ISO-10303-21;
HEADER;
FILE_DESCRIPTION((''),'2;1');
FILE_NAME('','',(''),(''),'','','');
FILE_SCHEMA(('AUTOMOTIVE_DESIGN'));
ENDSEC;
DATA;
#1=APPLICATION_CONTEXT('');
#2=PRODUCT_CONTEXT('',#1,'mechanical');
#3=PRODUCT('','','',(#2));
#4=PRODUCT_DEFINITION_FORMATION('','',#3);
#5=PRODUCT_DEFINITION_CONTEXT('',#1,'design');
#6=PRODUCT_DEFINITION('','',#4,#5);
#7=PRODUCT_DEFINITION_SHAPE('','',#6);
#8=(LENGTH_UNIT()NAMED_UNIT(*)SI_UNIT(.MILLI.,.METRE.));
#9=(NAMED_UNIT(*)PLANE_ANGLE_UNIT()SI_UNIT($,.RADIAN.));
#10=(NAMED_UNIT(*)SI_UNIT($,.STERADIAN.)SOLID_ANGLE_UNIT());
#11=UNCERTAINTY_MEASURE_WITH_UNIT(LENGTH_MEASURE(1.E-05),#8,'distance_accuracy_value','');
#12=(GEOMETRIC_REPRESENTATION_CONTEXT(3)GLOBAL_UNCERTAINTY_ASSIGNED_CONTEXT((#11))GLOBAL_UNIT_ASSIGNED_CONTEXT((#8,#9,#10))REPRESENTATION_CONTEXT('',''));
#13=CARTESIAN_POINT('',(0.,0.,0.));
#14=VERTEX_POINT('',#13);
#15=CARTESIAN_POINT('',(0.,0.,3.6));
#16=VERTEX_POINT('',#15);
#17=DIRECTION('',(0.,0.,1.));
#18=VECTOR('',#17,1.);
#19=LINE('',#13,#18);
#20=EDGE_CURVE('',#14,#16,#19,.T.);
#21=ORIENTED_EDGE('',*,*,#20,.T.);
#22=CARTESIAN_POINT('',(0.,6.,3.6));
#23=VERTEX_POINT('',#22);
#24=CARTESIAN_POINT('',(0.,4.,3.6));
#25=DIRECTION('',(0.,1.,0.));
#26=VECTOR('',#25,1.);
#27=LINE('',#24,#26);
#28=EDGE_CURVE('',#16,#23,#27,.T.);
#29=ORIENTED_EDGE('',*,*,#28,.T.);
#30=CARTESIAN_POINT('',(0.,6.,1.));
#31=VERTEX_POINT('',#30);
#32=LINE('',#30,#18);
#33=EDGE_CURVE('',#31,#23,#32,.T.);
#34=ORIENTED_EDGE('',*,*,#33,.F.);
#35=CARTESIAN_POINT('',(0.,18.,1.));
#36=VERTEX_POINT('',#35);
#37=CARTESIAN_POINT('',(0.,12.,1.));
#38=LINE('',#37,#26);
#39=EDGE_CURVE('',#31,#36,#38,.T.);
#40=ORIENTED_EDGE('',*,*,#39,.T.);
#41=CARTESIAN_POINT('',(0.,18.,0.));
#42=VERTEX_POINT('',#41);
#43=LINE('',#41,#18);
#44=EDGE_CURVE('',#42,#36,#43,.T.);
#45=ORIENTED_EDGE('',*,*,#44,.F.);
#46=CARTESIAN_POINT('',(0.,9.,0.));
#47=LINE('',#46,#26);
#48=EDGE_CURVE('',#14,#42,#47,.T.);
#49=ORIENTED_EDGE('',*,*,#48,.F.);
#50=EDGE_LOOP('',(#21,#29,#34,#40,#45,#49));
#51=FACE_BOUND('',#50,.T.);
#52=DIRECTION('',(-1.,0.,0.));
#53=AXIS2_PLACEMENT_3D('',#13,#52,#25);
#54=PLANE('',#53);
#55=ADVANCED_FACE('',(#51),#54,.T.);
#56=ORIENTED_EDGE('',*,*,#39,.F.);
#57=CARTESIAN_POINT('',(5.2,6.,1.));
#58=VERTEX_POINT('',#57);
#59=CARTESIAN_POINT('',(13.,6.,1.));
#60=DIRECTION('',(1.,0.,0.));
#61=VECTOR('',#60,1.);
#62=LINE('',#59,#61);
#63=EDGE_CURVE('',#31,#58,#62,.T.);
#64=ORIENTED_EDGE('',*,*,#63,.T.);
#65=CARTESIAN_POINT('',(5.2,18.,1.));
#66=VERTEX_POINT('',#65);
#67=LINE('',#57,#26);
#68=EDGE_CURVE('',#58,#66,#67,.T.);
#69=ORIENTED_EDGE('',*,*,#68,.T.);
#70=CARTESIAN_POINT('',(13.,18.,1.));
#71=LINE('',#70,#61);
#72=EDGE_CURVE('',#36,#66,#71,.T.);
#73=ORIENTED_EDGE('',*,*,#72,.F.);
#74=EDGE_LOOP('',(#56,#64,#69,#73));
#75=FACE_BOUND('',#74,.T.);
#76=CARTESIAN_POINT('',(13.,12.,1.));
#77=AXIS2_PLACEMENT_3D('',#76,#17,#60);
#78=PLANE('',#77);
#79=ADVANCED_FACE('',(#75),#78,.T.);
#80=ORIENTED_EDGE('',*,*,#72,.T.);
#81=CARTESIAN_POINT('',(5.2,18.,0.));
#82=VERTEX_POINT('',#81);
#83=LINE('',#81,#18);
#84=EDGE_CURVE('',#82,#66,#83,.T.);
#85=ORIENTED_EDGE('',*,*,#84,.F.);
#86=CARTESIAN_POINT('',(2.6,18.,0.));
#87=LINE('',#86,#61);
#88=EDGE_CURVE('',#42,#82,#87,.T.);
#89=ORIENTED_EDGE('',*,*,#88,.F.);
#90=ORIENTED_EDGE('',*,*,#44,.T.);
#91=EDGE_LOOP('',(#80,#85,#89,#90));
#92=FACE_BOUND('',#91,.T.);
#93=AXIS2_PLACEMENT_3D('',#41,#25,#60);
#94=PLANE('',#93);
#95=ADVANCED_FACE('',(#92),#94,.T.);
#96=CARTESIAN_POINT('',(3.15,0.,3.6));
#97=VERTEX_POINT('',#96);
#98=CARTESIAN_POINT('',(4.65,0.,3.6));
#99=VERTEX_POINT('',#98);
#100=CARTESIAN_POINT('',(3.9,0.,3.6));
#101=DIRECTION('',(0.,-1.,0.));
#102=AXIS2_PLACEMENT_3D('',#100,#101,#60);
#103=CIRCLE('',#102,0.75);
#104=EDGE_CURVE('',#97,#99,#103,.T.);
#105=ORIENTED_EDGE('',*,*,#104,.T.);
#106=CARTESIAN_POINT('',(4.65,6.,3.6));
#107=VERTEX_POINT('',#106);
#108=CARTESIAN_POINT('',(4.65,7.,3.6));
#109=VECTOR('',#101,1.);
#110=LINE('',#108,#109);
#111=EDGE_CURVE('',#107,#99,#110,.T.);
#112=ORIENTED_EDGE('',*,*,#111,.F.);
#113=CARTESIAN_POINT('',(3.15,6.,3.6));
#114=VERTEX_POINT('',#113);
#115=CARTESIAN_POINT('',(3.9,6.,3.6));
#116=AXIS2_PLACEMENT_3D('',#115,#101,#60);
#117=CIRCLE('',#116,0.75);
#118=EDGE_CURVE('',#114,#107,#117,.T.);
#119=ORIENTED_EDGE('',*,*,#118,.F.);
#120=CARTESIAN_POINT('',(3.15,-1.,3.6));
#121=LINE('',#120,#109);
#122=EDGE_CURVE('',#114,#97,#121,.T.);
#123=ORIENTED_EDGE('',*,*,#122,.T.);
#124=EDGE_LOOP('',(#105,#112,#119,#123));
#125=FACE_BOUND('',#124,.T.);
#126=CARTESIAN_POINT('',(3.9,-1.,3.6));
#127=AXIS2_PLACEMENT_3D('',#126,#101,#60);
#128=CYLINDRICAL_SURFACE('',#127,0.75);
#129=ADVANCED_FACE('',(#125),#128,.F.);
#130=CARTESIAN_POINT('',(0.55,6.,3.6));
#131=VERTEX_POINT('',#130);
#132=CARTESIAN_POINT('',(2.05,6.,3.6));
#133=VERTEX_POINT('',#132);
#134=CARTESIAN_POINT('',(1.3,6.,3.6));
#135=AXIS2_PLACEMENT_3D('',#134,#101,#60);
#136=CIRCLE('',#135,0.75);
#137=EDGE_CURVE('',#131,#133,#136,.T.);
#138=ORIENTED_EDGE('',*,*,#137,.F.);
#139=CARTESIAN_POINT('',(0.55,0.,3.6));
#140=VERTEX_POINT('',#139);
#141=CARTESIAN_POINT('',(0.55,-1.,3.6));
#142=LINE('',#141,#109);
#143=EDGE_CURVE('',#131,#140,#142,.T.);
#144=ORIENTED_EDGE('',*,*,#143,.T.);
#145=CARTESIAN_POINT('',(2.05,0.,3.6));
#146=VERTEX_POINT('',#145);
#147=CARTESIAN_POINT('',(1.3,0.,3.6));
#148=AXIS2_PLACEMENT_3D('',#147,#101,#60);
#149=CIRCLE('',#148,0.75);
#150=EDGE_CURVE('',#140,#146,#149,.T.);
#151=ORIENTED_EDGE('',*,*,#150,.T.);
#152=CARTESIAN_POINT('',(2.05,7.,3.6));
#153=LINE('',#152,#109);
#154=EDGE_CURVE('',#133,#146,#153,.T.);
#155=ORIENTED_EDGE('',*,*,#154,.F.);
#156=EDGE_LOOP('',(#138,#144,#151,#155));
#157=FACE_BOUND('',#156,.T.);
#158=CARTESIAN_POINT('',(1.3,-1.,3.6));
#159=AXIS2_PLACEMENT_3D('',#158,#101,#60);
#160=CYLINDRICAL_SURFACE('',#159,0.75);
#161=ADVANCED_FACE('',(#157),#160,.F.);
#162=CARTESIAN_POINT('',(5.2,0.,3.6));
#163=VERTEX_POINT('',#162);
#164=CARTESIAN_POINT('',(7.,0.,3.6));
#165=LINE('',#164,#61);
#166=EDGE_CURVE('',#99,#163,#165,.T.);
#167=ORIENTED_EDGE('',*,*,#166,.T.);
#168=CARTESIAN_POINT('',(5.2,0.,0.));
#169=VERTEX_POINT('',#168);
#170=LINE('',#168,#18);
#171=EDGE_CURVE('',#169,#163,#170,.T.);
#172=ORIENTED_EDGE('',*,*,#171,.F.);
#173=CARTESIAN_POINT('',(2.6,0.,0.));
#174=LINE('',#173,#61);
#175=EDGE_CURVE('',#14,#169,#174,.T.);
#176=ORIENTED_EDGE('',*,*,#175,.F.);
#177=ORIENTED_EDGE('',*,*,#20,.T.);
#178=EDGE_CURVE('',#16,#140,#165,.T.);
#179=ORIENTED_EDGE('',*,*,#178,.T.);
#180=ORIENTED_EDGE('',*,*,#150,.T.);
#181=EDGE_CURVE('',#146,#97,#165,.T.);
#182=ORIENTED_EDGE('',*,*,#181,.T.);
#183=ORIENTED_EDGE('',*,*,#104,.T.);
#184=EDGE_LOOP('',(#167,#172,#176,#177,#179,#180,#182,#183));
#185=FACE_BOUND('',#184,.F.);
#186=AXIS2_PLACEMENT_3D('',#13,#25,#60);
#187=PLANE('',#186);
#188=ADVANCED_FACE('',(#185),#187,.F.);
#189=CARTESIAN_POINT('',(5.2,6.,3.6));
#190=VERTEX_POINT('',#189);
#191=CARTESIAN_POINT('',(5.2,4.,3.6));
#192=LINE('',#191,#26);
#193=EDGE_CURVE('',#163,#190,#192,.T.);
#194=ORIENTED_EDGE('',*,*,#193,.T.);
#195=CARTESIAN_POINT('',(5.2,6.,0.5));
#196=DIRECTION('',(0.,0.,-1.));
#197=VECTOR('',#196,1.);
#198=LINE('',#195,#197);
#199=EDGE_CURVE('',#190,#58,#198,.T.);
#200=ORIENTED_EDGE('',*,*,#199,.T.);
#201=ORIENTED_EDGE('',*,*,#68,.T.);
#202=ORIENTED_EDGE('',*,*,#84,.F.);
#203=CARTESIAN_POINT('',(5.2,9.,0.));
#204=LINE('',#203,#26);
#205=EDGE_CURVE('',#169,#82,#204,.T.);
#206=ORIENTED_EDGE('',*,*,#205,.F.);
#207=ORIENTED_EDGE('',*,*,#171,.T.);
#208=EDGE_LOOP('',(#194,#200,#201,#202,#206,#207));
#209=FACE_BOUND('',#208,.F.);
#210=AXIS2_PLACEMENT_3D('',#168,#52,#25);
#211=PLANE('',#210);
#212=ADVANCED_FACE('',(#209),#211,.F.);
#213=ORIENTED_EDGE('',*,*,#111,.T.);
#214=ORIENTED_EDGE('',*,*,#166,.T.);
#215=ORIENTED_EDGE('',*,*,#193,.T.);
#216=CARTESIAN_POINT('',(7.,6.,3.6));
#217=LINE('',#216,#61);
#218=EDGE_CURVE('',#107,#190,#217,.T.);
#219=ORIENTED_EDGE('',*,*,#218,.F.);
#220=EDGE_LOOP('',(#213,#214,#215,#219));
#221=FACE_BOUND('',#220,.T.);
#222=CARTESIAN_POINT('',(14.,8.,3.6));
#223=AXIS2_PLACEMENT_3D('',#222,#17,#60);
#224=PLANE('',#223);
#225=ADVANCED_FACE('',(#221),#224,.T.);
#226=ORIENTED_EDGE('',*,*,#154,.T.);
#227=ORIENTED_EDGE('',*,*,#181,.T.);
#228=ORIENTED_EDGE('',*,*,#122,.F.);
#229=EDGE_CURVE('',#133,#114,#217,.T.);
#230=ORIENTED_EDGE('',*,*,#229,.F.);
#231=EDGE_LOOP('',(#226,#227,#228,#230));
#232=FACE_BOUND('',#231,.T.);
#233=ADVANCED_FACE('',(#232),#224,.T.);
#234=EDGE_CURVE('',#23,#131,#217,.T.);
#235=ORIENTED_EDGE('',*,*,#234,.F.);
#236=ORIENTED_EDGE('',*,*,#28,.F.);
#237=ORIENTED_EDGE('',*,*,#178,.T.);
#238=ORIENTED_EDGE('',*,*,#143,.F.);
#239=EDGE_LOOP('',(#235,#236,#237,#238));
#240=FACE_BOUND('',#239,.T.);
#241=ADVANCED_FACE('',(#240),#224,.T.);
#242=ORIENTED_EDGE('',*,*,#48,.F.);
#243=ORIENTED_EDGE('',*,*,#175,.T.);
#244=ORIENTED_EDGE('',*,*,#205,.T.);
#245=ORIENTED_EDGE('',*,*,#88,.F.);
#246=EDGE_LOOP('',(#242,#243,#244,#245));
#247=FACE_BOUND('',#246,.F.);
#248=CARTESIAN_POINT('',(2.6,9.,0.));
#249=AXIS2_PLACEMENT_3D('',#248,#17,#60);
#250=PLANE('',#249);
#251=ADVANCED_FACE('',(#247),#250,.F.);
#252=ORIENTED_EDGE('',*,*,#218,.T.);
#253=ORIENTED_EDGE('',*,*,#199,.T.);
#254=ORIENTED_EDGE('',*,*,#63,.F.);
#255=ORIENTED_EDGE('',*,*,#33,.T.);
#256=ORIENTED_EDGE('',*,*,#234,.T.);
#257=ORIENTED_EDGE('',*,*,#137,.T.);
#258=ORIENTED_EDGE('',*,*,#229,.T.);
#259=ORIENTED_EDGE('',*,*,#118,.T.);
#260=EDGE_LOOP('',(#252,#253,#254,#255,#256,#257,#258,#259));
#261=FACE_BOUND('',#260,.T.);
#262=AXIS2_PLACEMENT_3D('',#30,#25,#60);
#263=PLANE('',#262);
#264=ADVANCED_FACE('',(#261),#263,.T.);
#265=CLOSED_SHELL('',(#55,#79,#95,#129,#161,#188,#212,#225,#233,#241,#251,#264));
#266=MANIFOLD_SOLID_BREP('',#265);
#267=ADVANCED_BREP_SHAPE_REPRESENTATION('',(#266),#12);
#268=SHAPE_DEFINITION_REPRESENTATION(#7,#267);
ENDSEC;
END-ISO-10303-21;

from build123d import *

# Parameters (mm, degrees)
BOX021_W          = 30
BOX021_H          = 20
BOX021_DEPTH      = 9.2
BOX006_W          = 26
BOX006_H          = 12
BOX006_DEPTH      = 5.2
CYLINDER001_R     = 0.75
CYLINDER001_DEPTH = 7
ARRAY001_X_COUNT  = 2
ARRAY001_X_PITCH  = 2.6
ARRAY001_Y_COUNT  = 2
ARRAY001_Y_PITCH  = 1
BOX001_W          = 5.2
BOX001_H          = 18
BOX001_DEPTH      = 7.2


with BuildPart() as cortador005:
    # Box021 → Box021 (new body)
    with BuildSketch(Plane(origin=(-1, -2, 3.6), x_dir=(1, 0, 0), z_dir=(0, 0, 1))):
        with Locations((15, 10)):
            Rectangle(BOX021_W, BOX021_H)
    extrude(amount=BOX021_DEPTH)


with BuildPart() as cube_10_base003:
    # Box006 → Box006 (new body)
    with BuildSketch(Plane(origin=(0, 6, 1), x_dir=(1, 0, 0), z_dir=(0, 0, 1))):
        with Locations((13, 6)):
            Rectangle(BOX006_W, BOX006_H)
    extrude(amount=BOX006_DEPTH)


with BuildPart() as array001:
    # Cylinder001 → Cylinder001 (new body)
    with BuildSketch(Plane(origin=(1.3, -1, 3.6), x_dir=(1, 0, 0), z_dir=(0, 1, 0))):
        Circle(CYLINDER001_R)
    extrude(amount=CYLINDER001_DEPTH)

    # Array001 X: Array001 ×2


with BuildPart() as array001_1:
    add(array001.part)
    with Locations(*[(i * ARRAY001_X_PITCH, 0, 0) for i in range(1, ARRAY001_X_COUNT)]):
        add(array001.part)

    # Array001 Y: Array001 ×2


with BuildPart() as array001_2:
    add(array001_1.part)
    with Locations(*[(0, i * ARRAY001_Y_PITCH, 0) for i in range(1, ARRAY001_Y_COUNT)]):
        add(array001_1.part)


with BuildPart() as bloque2_abajo:
    # Box001 → Box001 (new body)
    with BuildSketch(Plane.XY):
        with Locations((2.6, 9)):
            Rectangle(BOX001_W, BOX001_H)
    extrude(amount=BOX001_DEPTH)

    # Cut001: cut Array001
    add(array001_2.part, mode=Mode.SUBTRACT)

    # Cut007: cut cube_10_base003
    add(cube_10_base003.part, mode=Mode.SUBTRACT)

    # Cut017: cut cortador005
    add(cortador005.part, mode=Mode.SUBTRACT)


solid = bloque2_abajo.part
